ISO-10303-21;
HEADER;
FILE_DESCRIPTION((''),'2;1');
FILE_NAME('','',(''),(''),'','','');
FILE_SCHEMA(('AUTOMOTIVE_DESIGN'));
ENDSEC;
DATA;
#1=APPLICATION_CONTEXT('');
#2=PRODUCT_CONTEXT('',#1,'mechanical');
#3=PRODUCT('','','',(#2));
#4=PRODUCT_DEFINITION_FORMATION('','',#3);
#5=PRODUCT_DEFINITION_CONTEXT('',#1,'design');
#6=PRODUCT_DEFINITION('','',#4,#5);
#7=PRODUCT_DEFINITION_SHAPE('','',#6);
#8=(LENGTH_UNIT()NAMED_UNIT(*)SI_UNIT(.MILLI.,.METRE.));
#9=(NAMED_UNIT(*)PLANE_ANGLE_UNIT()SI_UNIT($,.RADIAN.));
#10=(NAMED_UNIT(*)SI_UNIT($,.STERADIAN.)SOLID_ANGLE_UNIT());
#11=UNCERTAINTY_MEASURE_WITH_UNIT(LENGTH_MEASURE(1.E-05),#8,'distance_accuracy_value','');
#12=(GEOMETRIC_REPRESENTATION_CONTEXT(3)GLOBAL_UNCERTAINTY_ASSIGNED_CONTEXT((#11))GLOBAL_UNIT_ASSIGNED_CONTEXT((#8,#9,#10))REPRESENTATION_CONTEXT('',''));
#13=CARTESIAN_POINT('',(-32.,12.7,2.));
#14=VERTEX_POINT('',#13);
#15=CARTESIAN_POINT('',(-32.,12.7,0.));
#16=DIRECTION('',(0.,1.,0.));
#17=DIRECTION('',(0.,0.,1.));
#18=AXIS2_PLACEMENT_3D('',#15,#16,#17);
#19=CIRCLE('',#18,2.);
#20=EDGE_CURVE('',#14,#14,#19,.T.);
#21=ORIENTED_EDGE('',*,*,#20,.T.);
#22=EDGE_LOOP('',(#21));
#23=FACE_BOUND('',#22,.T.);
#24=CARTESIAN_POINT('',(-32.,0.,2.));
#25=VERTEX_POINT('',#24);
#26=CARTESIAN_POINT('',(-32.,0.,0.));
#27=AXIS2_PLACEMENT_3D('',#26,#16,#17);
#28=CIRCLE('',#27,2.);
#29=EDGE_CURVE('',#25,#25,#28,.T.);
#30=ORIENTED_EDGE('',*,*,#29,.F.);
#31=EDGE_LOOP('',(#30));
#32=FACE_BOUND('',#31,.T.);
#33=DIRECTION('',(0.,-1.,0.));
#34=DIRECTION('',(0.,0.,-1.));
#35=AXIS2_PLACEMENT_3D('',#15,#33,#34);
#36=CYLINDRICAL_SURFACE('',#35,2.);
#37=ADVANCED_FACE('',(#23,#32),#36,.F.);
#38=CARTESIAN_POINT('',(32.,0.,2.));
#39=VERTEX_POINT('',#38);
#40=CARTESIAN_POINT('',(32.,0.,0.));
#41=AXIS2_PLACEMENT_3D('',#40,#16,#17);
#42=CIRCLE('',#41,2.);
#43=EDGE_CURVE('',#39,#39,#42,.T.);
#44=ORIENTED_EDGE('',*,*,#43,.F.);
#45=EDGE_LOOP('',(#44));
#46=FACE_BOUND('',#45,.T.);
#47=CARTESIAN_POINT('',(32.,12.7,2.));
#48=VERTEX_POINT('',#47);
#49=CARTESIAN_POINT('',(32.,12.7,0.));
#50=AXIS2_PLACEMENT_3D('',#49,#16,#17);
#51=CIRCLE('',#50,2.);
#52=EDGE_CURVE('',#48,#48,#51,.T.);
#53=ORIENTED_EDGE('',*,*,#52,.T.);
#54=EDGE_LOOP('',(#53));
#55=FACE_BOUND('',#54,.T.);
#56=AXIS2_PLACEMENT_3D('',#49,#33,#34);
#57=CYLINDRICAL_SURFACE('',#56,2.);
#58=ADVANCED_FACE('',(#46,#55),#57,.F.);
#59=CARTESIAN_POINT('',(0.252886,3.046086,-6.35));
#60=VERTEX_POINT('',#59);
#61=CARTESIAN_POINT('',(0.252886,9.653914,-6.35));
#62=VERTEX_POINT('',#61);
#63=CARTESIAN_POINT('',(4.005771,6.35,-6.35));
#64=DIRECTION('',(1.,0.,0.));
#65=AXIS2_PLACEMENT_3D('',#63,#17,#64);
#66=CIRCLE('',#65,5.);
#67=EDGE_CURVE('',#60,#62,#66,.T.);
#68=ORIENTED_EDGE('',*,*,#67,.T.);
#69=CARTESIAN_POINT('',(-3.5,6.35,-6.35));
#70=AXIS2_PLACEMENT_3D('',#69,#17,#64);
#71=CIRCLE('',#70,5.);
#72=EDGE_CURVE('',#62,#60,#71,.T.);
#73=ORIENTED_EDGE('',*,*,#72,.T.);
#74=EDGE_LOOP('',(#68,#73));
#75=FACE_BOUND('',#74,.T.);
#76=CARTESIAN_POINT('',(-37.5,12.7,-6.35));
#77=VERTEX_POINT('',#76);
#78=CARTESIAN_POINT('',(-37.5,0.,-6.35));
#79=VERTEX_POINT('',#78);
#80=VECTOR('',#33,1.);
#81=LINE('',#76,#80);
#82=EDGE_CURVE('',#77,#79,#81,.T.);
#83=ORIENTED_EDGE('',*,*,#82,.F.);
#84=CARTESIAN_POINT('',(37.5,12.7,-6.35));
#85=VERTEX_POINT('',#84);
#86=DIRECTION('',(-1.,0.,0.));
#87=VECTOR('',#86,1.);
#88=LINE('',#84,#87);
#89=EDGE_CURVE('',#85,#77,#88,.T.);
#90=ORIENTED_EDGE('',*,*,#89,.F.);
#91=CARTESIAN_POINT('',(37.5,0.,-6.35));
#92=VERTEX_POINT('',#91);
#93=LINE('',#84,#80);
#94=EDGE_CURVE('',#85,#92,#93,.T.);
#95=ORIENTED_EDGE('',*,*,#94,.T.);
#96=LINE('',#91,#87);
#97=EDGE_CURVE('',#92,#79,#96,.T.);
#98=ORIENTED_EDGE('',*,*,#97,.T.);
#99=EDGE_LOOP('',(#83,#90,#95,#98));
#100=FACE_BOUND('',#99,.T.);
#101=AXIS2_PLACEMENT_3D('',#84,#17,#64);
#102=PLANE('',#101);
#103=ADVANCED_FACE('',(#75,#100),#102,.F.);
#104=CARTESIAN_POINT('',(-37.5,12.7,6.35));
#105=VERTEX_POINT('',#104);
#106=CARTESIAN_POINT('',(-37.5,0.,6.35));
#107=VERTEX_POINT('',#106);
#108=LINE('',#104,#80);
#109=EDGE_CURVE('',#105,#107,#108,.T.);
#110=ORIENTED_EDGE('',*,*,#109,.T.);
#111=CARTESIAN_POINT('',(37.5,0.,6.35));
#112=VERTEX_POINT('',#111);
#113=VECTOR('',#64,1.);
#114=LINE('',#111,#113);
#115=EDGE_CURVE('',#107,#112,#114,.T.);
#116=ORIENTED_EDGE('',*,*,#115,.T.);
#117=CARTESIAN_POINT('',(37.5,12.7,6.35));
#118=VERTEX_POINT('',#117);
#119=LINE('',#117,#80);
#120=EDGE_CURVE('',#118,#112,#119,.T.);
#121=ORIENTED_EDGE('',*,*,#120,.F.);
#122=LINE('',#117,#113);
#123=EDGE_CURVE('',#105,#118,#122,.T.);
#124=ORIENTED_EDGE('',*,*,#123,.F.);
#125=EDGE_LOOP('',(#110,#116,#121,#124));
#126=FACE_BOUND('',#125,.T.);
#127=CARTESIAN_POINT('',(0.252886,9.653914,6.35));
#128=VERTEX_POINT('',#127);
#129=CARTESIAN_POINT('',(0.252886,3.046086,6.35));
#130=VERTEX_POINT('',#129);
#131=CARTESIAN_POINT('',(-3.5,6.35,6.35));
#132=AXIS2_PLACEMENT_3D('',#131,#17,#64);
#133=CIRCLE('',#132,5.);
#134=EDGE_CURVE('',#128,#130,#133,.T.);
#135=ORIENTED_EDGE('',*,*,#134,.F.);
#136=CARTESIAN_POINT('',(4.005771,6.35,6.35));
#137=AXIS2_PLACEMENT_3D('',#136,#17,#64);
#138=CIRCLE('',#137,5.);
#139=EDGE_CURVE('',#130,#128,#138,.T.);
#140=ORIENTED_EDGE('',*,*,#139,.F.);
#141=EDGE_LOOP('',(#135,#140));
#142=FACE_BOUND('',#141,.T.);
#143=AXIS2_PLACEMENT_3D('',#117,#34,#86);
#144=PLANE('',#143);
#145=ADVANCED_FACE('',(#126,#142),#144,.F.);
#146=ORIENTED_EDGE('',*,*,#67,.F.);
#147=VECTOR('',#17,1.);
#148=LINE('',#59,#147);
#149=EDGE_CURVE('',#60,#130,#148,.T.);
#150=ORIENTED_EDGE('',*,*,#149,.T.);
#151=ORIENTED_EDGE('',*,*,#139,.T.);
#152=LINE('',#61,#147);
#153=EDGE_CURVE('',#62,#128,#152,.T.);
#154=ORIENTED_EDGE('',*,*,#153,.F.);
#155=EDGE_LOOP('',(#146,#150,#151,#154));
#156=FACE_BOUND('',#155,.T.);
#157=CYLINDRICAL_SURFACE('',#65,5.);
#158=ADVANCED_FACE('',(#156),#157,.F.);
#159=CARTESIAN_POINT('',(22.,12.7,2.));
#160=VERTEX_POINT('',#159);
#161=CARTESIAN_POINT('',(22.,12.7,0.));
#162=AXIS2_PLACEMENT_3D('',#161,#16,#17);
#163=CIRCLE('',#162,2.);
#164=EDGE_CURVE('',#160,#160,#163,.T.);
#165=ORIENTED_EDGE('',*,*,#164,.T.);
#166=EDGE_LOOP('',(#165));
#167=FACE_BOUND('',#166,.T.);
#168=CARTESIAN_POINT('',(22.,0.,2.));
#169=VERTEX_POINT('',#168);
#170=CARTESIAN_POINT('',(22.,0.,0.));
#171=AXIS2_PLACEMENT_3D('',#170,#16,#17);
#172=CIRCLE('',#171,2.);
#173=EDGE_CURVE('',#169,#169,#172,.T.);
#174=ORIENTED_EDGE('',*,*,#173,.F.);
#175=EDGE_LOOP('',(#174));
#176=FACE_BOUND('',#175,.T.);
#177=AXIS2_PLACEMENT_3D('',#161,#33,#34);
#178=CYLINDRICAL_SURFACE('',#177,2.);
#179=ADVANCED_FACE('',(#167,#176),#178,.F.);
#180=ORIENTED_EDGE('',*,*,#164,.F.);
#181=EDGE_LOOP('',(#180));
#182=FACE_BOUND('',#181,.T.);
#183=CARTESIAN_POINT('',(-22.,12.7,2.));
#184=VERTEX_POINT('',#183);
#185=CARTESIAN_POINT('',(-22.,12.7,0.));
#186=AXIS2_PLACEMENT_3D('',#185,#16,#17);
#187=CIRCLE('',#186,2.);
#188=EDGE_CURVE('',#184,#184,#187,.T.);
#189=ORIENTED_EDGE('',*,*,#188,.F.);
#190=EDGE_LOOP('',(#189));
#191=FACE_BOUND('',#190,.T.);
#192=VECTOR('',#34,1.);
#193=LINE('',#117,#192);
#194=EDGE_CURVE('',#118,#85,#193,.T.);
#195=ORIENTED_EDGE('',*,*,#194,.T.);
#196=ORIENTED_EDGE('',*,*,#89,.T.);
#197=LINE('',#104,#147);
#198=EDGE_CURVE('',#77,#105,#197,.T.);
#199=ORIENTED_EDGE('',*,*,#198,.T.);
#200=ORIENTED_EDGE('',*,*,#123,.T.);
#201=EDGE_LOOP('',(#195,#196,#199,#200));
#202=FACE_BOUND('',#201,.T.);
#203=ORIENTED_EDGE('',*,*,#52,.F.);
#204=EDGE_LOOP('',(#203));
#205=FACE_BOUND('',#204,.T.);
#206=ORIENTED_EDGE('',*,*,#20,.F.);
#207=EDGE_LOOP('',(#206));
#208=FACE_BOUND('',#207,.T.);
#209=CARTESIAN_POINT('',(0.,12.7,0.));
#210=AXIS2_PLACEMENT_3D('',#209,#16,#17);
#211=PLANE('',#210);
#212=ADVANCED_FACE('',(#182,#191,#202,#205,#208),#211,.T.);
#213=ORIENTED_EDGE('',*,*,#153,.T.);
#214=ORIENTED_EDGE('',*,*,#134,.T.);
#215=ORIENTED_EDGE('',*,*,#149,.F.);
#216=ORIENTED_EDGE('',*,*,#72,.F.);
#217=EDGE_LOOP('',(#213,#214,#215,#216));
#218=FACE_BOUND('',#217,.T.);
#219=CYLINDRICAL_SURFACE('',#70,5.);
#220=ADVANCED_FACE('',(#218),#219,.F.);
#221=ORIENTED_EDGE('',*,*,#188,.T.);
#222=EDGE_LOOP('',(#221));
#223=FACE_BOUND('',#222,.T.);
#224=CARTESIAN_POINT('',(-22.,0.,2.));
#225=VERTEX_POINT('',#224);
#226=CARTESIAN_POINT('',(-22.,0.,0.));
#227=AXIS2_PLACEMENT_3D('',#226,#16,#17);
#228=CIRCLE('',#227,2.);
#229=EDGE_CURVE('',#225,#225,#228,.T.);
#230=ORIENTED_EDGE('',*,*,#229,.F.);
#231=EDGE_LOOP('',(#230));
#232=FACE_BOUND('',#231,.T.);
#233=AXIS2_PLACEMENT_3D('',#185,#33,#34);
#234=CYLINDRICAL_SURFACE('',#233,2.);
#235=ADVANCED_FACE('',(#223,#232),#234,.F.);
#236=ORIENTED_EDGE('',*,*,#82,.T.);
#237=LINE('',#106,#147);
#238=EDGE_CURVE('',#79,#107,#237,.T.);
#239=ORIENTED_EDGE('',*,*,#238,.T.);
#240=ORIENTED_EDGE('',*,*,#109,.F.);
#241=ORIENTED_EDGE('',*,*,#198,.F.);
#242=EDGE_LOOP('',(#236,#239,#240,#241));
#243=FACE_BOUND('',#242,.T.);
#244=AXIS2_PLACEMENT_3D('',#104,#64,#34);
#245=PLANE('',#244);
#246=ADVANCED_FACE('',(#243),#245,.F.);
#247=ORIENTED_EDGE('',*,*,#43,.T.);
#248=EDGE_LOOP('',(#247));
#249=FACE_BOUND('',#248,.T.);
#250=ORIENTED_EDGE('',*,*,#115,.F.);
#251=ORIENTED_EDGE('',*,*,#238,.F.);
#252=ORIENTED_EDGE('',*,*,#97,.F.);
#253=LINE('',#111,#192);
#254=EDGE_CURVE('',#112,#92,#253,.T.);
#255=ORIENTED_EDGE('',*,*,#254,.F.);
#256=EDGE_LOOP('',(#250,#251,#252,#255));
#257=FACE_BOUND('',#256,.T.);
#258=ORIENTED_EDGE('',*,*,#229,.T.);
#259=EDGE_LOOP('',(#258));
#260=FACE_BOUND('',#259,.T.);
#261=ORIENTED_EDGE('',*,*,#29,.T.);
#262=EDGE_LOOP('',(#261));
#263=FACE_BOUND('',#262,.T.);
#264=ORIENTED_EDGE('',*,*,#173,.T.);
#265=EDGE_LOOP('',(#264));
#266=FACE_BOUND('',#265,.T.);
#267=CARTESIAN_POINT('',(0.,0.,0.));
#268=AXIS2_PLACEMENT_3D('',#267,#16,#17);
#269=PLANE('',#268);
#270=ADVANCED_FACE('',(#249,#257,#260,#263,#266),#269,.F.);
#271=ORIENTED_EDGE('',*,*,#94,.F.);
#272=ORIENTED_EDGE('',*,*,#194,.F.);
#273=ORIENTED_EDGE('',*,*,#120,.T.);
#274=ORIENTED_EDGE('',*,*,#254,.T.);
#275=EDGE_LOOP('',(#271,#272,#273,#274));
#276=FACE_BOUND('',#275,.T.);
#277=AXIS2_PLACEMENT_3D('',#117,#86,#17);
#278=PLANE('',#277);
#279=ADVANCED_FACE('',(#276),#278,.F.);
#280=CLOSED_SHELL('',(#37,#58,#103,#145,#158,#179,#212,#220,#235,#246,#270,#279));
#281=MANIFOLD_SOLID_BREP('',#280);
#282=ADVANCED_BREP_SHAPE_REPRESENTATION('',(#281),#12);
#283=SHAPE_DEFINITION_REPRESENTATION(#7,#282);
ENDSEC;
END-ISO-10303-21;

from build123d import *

# Parameters (mm, degrees)
SKETCH1_W           = 75
SKETCH1_H           = 12.7
SKETCH1_R           = 2
BOSS_EXTRUDE1_DEPTH = 12.7
SKETCH2_R           = 5
CUT_EXTRUDE1_DEPTH  = 12.7


with BuildPart() as part:
    # Sketch1 → Boss-Extrude1 (new body)
    with BuildSketch(Plane(origin=(0, 0, 0), x_dir=(1, 0, 0), z_dir=(0, 1, 0))):
        Rectangle(SKETCH1_W, SKETCH1_H)
        with Locations((-32, 0)):
            Circle(SKETCH1_R, mode=Mode.SUBTRACT)
        with Locations((-22, 0)):
            Circle(SKETCH1_R, mode=Mode.SUBTRACT)
        with Locations((22, 0)):
            Circle(SKETCH1_R, mode=Mode.SUBTRACT)
        with Locations((32, 0)):
            Circle(SKETCH1_R, mode=Mode.SUBTRACT)
    extrude(amount=BOSS_EXTRUDE1_DEPTH)

    # Sketch2 → Cut-Extrude1 (cut)
    with BuildSketch(Plane.XY.offset(6.35)):
        with Locations((-3.5, 6.35)):
            Circle(SKETCH2_R)
        with Locations((4.005771179, 6.35)):
            Circle(SKETCH2_R)
    extrude(amount=-CUT_EXTRUDE1_DEPTH, mode=Mode.SUBTRACT)


solid = part.part
